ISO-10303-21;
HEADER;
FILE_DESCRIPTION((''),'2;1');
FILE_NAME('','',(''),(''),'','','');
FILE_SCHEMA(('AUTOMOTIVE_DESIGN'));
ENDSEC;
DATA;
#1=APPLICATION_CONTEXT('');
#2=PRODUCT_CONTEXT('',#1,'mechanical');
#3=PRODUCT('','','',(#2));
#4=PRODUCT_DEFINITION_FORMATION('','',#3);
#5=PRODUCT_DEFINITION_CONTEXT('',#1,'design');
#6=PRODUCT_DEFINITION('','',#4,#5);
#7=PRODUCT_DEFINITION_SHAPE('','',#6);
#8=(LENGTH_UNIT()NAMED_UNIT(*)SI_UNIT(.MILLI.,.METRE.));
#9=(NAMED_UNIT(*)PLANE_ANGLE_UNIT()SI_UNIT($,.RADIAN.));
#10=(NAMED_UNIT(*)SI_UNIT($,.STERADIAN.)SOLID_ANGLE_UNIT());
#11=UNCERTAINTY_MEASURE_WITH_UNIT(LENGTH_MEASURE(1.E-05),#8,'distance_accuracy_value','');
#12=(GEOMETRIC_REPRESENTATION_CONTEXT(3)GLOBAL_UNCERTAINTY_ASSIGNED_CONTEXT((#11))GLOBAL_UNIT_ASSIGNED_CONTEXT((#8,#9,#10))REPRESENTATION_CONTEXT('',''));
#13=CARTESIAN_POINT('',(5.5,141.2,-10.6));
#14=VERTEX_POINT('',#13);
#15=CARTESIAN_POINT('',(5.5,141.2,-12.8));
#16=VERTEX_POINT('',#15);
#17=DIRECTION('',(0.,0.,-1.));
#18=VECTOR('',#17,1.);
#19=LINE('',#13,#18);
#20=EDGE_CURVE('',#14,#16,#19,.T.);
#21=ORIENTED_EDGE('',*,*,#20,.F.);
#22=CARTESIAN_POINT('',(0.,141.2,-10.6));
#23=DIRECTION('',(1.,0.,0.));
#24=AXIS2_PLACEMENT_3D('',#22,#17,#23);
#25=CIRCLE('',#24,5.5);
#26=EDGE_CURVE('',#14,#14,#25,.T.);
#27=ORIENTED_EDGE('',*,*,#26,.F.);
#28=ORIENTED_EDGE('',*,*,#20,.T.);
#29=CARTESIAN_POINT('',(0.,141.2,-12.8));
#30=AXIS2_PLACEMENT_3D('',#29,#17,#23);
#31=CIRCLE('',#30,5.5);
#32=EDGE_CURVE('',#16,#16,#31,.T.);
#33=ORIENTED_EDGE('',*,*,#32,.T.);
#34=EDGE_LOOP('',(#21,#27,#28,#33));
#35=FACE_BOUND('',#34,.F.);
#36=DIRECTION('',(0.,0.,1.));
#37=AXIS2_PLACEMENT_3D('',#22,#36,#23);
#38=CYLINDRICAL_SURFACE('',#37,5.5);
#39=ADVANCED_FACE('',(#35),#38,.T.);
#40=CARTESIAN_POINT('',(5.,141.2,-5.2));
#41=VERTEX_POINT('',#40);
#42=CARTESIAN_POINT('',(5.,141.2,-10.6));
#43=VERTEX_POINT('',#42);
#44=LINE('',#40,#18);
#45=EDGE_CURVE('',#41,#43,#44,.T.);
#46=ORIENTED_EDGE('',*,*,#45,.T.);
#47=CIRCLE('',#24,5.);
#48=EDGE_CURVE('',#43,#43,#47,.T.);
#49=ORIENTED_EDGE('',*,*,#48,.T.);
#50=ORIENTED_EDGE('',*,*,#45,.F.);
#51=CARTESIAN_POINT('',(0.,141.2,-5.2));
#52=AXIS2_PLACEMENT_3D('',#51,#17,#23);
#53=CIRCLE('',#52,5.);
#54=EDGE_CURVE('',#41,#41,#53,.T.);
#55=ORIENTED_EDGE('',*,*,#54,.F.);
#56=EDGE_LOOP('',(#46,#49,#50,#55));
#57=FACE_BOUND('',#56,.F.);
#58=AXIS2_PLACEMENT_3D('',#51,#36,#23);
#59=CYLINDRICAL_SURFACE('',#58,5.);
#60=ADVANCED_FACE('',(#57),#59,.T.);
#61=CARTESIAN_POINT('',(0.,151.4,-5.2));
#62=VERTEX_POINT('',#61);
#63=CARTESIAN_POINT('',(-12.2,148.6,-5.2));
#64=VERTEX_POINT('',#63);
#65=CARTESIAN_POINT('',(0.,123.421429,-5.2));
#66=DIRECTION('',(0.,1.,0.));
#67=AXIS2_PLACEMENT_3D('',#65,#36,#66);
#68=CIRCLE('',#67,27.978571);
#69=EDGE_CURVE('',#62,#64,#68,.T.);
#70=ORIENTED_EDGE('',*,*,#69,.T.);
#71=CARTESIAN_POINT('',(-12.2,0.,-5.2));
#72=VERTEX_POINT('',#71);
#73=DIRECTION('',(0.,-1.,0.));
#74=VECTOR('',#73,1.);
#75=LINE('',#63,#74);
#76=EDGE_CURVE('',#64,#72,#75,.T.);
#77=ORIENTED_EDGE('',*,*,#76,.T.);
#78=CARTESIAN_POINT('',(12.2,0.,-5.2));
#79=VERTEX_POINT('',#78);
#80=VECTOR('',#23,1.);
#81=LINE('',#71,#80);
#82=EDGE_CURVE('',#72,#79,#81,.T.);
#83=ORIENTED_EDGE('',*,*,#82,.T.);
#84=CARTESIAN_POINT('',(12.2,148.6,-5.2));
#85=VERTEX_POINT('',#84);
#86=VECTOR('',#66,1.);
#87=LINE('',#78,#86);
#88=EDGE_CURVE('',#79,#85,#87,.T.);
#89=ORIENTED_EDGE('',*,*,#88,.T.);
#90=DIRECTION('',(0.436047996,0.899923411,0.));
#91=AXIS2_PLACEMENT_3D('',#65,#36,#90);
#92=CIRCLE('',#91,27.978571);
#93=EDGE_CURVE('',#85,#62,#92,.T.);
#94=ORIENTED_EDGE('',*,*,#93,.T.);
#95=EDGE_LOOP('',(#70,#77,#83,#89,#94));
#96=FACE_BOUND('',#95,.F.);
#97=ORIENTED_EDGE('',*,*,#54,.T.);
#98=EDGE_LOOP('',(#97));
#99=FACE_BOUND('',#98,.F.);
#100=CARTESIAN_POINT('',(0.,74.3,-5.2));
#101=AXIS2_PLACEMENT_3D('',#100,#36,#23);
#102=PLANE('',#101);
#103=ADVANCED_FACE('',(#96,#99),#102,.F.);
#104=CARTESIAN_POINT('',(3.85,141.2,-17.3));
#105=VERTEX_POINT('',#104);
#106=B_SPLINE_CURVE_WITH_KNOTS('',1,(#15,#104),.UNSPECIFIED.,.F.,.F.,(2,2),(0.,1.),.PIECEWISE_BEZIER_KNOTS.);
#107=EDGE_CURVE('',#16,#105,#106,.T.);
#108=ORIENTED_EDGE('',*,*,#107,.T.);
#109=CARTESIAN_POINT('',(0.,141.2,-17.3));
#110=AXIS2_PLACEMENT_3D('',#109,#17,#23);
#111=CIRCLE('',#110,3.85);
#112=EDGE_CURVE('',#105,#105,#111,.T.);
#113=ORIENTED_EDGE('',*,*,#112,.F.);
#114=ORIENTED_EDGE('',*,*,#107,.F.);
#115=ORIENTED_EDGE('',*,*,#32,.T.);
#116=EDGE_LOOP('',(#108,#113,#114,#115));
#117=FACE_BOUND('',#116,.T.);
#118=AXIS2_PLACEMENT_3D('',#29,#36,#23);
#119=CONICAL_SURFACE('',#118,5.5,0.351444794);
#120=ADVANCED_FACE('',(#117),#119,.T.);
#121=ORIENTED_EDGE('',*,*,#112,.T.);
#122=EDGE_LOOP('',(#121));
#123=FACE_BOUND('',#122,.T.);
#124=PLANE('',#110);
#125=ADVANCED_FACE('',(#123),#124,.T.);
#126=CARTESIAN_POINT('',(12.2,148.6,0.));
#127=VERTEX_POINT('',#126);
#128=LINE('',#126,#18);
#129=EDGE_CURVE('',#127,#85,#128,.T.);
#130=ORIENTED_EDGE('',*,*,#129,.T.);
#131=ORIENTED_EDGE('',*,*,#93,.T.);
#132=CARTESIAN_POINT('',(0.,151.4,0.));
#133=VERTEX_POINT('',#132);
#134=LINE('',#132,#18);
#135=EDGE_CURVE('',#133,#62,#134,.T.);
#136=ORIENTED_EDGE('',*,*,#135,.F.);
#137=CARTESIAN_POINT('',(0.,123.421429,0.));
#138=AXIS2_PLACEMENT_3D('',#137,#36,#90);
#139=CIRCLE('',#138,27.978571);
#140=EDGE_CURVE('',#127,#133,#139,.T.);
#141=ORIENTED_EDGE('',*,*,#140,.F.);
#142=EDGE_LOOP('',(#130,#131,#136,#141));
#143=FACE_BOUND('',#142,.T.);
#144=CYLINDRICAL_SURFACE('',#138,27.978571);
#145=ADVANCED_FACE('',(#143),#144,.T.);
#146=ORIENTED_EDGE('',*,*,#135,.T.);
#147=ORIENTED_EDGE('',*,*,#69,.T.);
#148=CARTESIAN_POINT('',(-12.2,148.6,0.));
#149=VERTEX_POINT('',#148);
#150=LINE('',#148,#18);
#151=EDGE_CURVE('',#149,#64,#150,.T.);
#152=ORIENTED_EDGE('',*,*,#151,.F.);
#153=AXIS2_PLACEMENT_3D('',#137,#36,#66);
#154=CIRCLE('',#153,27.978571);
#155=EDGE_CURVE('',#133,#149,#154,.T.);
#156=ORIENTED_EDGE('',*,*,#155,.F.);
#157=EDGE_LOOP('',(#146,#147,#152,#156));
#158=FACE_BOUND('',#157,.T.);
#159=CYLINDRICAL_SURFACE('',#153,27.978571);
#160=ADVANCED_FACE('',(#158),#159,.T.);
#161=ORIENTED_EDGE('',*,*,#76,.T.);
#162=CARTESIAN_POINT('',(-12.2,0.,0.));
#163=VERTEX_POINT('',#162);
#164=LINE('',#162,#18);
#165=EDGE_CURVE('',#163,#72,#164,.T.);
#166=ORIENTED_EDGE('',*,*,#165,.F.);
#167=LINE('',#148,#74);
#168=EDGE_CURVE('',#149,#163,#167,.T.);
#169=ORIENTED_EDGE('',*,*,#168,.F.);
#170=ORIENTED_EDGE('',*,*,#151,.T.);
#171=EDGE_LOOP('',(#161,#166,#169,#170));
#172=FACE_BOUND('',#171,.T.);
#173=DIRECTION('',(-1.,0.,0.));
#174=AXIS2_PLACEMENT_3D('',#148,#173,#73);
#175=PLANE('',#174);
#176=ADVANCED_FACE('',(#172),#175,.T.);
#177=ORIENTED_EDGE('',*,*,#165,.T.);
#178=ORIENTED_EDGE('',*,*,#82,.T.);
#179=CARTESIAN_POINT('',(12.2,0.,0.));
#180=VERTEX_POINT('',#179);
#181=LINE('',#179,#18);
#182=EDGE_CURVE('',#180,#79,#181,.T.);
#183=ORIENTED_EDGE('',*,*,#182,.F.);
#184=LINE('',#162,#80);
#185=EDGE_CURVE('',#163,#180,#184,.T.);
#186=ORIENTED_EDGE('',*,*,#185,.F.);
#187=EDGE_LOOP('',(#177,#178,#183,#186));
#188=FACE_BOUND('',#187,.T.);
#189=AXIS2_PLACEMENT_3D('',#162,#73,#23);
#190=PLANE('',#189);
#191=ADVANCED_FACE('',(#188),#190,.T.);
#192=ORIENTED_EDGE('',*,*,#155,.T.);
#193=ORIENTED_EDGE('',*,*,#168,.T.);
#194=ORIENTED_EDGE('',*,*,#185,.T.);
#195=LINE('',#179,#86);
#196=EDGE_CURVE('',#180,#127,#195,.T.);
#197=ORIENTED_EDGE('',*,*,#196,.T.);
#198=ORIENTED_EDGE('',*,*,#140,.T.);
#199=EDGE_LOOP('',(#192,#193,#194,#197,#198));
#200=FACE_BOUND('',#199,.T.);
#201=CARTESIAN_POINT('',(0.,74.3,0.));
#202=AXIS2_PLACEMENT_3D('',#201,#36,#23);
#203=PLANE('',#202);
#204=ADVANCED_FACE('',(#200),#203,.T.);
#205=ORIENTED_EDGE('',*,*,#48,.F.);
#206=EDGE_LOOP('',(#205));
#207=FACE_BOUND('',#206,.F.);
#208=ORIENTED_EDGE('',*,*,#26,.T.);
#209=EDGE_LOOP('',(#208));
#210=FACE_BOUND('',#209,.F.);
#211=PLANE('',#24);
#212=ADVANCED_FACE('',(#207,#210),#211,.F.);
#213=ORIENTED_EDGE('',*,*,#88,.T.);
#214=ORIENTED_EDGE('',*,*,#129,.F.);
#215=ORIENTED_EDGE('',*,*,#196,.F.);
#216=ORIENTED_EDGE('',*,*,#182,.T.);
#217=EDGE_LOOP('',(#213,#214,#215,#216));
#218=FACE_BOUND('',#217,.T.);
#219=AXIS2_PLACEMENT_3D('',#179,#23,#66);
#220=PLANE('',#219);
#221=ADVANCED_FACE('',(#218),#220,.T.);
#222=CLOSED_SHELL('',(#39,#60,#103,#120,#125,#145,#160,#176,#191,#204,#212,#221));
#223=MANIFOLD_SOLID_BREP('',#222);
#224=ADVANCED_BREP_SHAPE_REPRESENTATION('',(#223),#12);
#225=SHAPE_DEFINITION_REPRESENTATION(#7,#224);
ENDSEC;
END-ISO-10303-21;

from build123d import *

# Parameters (mm, degrees)
F1_DEPTH = 5.2
F2_R     = 5
F3_DEPTH = 5.4
F5_R     = 5.5
F6_DEPTH = 2.2
F10_R    = 5.5
F8_R     = 3.85


with BuildPart() as f1:
    # F0 (on Top) → F1 (new body)
    with BuildSketch(Plane.XY):
        Polygon((-12.2, 0), (0, 0), (12.2, 0), (12.2, 148.6), (0, 148.6), (-12.2, 148.6), align=None)
        with BuildLine():
            Line((0, 148.6), (12.2, 148.6))
            ThreePointArc((12.2, 148.6), (6.2585940913, 150.6910171122), (0, 151.4))
            Line((0, 151.4), (0, 148.6))
        make_face()
        with BuildLine():
            ThreePointArc((0, 151.4), (-6.2585940913, 150.6910171122), (-12.2, 148.6))
            Line((-12.2, 148.6), (0, 148.6))
            Line((0, 148.6), (0, 151.4))
        make_face()
    extrude(amount=-F1_DEPTH)

    # F2 (on face) → F3 (join)
    with BuildSketch(Plane(origin=(0, 0, -5.2), x_dir=(1, 0, 0), z_dir=(0, 0, -1))):
        with Locations((0, -141.2)):
            Circle(F2_R)
    extrude(amount=F3_DEPTH)

    # F5 (on offset) → F6 (join)
    with BuildSketch(Plane(origin=(0, 0, -10.6), x_dir=(1, 0, 0), z_dir=(0, 0, -1))):
        with Locations((0, -141.2)):
            Circle(F5_R)
    extrude(amount=F6_DEPTH)

    # F10 (on offset) → F11 section 0
    with BuildSketch(Plane(origin=(0, 0, -12.8), x_dir=(1, 0, 0), z_dir=(0, 0, -1))):
        with Locations((0, -141.2)):
            Circle(F10_R)
    # F8 (on offset) → F11 section 1
    with BuildSketch(Plane(origin=(0, 0, -17.3), x_dir=(1, 0, 0), z_dir=(0, 0, -1))):
        with Locations((0, -141.2)):
            Circle(F8_R)
    loft()


solid = f1.part
